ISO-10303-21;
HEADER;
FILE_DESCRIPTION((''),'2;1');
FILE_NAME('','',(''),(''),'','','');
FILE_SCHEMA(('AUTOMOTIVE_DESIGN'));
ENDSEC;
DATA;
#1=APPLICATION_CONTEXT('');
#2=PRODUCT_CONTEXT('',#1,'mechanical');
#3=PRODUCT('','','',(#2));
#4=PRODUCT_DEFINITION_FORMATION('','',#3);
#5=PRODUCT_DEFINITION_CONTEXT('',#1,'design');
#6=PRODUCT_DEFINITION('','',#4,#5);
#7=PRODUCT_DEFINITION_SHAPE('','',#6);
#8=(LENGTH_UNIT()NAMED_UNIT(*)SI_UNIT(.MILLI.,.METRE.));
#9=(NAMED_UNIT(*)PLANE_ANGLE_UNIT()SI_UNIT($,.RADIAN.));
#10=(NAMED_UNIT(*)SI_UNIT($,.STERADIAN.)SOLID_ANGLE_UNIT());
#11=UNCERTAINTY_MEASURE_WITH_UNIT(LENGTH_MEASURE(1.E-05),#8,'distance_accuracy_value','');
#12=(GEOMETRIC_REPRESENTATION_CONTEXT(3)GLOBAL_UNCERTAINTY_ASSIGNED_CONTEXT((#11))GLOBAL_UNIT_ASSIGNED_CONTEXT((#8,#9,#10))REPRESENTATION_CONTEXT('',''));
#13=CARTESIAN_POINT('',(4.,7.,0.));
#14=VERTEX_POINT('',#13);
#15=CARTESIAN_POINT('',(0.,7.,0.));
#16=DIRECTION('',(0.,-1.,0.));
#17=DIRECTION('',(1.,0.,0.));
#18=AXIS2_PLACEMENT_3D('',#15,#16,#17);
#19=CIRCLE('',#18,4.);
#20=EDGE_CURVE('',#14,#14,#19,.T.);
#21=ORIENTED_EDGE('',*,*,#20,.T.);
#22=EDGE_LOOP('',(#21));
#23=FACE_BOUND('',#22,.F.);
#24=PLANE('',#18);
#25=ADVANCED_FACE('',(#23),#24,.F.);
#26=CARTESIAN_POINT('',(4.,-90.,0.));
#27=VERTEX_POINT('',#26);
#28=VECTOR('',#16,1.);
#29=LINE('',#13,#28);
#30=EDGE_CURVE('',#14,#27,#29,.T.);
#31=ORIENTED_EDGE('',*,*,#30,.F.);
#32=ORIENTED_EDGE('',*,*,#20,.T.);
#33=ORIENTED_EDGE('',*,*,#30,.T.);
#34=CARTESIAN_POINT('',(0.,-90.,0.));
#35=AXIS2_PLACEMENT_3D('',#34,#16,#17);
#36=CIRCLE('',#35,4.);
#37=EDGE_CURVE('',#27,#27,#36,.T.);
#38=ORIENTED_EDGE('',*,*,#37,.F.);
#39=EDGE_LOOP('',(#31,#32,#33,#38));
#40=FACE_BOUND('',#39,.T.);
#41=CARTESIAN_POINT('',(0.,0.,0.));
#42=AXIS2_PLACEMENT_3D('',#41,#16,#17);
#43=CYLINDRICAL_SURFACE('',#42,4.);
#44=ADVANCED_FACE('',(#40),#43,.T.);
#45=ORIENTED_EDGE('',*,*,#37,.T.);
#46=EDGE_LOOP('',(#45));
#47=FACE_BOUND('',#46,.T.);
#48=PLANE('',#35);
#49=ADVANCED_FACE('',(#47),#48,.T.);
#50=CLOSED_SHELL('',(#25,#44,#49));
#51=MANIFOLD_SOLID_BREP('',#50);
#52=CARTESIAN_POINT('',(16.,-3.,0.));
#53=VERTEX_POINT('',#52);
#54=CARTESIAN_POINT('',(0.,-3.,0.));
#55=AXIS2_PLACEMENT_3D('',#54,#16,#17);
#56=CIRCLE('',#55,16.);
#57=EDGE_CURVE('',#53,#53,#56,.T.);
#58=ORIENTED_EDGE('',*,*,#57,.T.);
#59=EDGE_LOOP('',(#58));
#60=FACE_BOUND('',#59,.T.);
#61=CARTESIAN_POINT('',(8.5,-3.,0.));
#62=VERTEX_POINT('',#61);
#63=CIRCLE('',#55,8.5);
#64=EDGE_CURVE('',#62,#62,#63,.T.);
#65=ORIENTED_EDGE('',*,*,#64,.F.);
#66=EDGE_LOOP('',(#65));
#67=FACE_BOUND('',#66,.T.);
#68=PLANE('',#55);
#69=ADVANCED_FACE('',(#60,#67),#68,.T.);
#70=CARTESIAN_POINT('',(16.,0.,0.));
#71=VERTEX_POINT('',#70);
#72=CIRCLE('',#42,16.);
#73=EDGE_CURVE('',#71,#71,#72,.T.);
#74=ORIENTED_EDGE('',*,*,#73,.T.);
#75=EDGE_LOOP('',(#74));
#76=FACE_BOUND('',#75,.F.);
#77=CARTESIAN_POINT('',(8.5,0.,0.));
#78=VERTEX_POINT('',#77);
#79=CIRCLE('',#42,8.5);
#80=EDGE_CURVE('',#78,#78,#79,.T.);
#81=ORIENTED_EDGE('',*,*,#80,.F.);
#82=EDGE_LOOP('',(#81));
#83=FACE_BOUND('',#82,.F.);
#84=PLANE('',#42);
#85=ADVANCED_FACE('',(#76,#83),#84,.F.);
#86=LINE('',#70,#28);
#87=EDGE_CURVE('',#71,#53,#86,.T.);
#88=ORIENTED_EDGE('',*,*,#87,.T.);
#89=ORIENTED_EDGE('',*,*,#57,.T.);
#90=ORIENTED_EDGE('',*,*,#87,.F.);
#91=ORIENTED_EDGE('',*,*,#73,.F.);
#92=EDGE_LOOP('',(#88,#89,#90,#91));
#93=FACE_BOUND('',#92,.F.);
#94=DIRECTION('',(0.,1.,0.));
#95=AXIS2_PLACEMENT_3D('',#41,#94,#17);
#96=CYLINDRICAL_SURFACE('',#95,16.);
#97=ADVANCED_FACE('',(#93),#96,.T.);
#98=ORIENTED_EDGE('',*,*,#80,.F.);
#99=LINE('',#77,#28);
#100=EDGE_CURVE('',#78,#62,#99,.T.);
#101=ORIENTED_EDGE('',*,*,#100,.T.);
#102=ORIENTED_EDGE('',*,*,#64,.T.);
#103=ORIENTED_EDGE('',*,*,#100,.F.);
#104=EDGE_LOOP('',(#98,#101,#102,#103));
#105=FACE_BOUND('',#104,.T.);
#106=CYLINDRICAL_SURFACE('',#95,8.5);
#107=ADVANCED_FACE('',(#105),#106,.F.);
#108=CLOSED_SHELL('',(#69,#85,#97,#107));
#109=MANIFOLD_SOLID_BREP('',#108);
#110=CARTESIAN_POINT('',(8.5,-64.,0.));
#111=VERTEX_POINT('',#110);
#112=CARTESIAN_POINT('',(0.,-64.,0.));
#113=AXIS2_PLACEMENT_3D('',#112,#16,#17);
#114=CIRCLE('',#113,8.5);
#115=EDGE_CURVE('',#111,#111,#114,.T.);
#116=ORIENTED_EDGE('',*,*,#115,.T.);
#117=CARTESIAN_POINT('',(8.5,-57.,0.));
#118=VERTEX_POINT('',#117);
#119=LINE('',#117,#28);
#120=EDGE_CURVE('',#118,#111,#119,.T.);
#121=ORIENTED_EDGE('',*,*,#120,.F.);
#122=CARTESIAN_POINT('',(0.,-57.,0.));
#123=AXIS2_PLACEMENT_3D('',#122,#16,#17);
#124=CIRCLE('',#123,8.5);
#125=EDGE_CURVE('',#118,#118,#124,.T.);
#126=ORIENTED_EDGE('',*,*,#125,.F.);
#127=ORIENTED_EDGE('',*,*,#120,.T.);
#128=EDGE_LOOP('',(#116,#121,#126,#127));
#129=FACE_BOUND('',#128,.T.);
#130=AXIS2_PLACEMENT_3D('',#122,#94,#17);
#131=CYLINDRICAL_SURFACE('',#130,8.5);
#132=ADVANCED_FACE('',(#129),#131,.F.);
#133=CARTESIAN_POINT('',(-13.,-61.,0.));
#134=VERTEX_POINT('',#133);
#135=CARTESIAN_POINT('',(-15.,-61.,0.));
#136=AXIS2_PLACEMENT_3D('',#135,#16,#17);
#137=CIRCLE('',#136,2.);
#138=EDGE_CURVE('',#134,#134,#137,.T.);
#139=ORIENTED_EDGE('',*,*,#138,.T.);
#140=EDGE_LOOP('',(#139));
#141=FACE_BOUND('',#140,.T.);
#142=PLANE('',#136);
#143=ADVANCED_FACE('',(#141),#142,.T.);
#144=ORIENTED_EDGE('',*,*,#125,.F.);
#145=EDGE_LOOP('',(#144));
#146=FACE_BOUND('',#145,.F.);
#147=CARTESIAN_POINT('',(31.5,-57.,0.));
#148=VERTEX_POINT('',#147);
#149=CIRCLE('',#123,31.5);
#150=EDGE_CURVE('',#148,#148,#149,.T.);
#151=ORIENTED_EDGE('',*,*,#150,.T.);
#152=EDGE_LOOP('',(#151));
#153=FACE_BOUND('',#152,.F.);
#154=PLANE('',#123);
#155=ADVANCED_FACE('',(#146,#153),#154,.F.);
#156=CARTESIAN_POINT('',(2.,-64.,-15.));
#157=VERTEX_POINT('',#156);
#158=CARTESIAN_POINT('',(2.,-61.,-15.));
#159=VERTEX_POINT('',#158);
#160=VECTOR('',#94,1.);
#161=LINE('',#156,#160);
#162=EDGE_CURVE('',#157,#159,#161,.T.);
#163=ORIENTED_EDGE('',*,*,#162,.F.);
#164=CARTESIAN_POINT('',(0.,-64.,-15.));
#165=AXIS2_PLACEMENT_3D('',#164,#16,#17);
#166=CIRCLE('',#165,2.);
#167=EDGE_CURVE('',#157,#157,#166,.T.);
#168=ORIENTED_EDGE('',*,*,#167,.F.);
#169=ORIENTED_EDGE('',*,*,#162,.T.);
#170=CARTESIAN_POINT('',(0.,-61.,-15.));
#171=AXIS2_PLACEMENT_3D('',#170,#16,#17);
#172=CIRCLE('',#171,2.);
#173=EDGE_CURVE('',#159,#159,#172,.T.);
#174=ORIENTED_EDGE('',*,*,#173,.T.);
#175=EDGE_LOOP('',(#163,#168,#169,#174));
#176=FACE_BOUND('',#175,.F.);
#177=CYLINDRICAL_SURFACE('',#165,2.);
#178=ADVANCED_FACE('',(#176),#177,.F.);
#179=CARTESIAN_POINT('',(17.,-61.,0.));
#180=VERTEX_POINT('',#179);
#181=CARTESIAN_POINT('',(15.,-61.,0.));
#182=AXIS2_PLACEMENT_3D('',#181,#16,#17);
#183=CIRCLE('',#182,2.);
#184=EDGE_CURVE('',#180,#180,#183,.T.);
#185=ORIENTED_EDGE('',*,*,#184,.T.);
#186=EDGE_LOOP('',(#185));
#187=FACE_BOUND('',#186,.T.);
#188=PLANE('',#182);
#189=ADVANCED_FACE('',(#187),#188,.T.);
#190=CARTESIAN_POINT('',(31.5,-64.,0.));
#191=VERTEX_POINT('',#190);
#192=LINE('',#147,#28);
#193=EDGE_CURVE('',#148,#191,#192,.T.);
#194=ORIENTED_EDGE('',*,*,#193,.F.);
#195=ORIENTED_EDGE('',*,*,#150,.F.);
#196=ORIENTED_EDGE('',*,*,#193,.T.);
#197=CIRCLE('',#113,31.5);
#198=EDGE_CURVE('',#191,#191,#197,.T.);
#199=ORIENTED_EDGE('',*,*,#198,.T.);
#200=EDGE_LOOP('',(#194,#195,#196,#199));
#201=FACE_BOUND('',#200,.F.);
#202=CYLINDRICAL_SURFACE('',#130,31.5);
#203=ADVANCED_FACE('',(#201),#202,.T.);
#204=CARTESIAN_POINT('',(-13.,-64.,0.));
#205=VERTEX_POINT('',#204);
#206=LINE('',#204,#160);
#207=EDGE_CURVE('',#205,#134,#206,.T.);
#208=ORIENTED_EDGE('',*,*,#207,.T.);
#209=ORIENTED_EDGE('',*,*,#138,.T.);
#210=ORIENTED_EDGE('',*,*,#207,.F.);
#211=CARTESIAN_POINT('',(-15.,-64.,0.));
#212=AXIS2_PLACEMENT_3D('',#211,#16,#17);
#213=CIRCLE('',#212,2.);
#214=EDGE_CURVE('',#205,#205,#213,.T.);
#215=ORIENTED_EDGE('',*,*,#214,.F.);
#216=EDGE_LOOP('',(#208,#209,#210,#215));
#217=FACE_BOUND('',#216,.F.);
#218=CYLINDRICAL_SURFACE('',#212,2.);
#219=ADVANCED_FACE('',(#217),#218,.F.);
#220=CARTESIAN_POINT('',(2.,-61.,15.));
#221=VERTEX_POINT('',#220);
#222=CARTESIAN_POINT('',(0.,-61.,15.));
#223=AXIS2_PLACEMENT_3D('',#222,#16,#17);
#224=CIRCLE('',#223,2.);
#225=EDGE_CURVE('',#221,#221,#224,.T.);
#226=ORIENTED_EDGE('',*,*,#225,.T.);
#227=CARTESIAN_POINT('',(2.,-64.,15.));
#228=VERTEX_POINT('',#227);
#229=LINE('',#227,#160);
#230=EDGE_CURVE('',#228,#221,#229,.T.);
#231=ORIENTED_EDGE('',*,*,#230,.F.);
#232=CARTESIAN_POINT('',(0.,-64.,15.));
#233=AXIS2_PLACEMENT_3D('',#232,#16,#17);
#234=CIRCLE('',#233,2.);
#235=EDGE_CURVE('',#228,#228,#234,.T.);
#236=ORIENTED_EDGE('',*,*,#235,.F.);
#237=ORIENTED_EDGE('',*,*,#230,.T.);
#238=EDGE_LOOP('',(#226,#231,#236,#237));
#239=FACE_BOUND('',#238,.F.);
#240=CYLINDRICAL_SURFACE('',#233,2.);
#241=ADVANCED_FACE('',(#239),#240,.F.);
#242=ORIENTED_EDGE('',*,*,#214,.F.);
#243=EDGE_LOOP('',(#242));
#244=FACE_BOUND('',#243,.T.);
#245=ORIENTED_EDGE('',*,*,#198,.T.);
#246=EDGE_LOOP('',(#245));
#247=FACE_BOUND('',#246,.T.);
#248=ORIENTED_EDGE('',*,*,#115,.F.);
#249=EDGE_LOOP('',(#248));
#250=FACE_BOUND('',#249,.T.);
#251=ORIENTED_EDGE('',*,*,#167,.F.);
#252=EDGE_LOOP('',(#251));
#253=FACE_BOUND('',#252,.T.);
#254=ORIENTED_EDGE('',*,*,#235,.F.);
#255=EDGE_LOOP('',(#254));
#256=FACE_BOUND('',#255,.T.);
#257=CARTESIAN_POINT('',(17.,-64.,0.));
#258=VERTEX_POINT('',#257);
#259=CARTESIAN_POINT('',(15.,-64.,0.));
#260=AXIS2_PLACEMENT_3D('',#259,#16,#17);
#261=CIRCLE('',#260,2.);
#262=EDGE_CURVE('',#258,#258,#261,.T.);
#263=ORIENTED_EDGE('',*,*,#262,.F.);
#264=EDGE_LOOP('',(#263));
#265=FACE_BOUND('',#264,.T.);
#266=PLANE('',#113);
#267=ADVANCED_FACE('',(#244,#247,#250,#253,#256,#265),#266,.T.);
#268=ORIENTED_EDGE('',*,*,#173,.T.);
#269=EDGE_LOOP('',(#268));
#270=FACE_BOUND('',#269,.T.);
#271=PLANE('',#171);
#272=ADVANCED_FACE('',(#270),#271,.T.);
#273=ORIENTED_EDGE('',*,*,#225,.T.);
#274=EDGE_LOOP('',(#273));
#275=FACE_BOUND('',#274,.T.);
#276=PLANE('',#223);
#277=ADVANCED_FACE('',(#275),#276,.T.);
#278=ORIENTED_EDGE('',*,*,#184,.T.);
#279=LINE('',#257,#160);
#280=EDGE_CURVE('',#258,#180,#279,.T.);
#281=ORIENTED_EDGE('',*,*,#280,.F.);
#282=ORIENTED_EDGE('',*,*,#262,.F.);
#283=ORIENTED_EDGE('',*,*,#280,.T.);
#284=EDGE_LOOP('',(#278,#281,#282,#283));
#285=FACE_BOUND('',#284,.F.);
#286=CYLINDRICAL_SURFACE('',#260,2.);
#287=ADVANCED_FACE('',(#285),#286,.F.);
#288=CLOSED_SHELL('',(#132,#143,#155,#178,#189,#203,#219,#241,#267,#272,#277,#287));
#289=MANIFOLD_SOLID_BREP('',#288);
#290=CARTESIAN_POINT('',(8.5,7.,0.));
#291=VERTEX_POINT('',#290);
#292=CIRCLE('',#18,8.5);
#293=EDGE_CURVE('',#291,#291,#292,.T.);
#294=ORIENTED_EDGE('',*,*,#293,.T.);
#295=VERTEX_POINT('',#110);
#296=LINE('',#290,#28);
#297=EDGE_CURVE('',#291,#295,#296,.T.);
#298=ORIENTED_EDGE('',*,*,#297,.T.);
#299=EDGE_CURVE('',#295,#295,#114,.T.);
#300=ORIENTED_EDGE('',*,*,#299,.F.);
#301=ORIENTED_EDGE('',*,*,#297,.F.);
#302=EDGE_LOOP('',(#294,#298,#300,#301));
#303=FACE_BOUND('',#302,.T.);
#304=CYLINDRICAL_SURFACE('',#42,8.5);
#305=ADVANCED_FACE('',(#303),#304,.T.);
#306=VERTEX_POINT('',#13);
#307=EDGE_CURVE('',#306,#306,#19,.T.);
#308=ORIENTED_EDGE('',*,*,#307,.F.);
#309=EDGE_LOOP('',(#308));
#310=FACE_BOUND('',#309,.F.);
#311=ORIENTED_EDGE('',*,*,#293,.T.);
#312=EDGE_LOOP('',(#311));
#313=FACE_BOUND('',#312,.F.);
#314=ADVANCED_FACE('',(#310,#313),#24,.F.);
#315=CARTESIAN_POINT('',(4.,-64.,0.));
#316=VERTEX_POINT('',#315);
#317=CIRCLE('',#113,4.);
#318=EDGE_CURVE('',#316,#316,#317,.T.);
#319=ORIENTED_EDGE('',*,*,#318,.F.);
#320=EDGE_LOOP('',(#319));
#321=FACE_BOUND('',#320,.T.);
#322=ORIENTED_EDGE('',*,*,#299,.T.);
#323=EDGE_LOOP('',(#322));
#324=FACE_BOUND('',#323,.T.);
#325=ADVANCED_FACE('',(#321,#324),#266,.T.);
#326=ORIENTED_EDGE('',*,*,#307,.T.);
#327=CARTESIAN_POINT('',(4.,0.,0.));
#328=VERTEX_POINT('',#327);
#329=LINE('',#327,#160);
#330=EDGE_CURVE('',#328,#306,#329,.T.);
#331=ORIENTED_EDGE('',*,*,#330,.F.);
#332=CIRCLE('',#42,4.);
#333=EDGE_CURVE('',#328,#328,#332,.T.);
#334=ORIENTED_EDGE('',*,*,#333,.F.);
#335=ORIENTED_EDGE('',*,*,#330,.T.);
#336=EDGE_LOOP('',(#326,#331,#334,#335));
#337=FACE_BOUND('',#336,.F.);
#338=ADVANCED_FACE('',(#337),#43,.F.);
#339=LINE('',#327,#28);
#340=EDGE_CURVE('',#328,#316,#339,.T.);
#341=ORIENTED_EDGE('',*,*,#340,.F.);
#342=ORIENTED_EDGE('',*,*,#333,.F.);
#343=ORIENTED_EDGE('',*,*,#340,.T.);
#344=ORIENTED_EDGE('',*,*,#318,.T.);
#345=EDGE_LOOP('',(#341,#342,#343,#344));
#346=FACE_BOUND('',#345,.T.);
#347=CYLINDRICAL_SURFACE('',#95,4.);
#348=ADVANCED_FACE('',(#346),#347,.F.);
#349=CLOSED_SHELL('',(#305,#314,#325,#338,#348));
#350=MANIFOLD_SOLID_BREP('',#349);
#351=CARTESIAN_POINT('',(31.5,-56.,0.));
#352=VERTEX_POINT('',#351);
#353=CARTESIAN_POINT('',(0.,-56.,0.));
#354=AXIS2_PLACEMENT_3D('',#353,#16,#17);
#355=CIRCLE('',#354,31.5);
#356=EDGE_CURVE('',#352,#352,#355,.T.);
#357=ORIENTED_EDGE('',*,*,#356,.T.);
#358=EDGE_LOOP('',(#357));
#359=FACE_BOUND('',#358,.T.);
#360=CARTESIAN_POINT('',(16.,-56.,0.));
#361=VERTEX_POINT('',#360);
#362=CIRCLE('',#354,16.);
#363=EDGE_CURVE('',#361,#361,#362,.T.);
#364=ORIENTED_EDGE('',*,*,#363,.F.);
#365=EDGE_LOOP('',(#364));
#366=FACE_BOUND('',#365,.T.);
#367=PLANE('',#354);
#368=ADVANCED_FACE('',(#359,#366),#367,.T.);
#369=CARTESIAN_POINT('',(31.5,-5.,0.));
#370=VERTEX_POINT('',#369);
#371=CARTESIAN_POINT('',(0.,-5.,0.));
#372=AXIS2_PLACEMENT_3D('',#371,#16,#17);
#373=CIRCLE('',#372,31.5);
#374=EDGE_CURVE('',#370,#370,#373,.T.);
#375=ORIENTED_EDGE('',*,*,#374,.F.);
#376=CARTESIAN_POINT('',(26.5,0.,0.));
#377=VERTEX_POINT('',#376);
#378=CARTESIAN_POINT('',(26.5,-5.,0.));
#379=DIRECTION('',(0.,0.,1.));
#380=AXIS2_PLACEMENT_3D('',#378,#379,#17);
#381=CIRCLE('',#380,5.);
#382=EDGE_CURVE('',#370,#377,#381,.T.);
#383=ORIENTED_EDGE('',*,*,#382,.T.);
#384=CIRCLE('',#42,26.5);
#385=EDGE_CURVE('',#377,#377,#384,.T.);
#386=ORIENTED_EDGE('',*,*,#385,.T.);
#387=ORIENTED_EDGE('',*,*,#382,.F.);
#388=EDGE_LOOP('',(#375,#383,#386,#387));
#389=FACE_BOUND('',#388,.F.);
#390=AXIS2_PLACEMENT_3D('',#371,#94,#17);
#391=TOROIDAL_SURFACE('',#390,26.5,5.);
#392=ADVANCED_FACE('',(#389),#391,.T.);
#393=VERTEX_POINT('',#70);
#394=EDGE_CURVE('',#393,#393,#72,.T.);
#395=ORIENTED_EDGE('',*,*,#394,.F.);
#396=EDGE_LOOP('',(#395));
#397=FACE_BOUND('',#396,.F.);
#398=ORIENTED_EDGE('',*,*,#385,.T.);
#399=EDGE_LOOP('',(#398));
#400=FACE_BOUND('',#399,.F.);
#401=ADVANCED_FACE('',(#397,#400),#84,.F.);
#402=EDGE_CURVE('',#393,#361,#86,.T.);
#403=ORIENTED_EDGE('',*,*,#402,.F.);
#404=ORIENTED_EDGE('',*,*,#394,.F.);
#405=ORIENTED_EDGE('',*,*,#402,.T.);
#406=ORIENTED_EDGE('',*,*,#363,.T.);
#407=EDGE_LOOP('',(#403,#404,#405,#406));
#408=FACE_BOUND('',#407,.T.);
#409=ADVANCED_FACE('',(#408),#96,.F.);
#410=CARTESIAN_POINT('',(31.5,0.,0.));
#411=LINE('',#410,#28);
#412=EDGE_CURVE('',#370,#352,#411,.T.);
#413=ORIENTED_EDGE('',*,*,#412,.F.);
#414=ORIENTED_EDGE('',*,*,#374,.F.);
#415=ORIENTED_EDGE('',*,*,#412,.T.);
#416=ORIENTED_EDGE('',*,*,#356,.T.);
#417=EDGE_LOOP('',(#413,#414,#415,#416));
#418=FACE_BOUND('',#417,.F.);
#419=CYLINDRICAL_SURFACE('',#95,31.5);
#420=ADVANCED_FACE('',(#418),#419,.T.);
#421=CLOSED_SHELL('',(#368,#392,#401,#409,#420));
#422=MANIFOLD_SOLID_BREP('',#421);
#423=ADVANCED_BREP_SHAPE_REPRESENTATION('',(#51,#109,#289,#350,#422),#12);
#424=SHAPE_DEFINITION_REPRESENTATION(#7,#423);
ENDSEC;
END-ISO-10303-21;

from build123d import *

# Parameters (mm, degrees)
F0_R          = 31.5
F0_R_2        = 16
F1_DEPTH      = 56
F2_R          = 5
F0_R_3        = 8.5
F0_R_4        = 4
F3_DEPTH      = 64
F3_DEPTH_BACK = 7
F4_DEPTH      = 90
F4_DEPTH_BACK = 7
F5_DEPTH      = 3
F6_START      = 57
F6_DEPTH      = 7
F7_R          = 2
F8_DEPTH      = 3


with BuildPart() as f1:
    # F0 (on Front) → F1 (new body)
    with BuildSketch(Plane.XZ):
        Circle(F0_R)
        Circle(F0_R_2, mode=Mode.SUBTRACT)
    extrude(amount=F1_DEPTH)

    # F2
    f2_edges = [f1.edges().sort_by_distance(p)[0] for p in [
        (-31.5, 0, 0),
    ]]
    fillet(f2_edges, radius=F2_R)


with BuildPart() as f3:
    # F0 (on Front) → F3 (new body, two sides)
    with BuildSketch(Plane.XZ) as f3_sk:
        Circle(F0_R_3)
        Circle(F0_R_4, mode=Mode.SUBTRACT)
    extrude(amount=F3_DEPTH)
    extrude(f3_sk.sketch, amount=-F3_DEPTH_BACK)


with BuildPart() as f4:
    # F0 (on Front) → F4 (new body, two sides)
    with BuildSketch(Plane.XZ) as f4_sk:
        Circle(F0_R_4)
    extrude(amount=F4_DEPTH)
    extrude(f4_sk.sketch, amount=-F4_DEPTH_BACK)


with BuildPart() as f5:
    # F0 (on Front) → F5 (new body)
    with BuildSketch(Plane.XZ):
        Circle(F0_R_2)
        Circle(F0_R_3, mode=Mode.SUBTRACT)
    extrude(amount=F5_DEPTH)


with BuildPart() as f6:
    # F0 (on Front) → F6 (new body)
    with BuildSketch(Plane.XZ.offset(F6_START)):
        Circle(F0_R)
        Circle(F0_R_2, mode=Mode.SUBTRACT)
        Circle(F0_R_2)
        Circle(F0_R_3, mode=Mode.SUBTRACT)
    extrude(amount=F6_DEPTH)

    # F7 (on face) → F8 (cut)
    with BuildSketch(Plane.XZ.offset(64)):
        with Locations((0, 15)):
            Circle(F7_R)
        with Locations((-15, 0)):
            Circle(F7_R)
        with Locations((0, -15)):
            Circle(F7_R)
        with Locations((15, 0)):
            Circle(F7_R)
    extrude(amount=-F8_DEPTH, mode=Mode.SUBTRACT)


solid = Compound([f1.part, f3.part, f4.part, f5.part, f6.part])
